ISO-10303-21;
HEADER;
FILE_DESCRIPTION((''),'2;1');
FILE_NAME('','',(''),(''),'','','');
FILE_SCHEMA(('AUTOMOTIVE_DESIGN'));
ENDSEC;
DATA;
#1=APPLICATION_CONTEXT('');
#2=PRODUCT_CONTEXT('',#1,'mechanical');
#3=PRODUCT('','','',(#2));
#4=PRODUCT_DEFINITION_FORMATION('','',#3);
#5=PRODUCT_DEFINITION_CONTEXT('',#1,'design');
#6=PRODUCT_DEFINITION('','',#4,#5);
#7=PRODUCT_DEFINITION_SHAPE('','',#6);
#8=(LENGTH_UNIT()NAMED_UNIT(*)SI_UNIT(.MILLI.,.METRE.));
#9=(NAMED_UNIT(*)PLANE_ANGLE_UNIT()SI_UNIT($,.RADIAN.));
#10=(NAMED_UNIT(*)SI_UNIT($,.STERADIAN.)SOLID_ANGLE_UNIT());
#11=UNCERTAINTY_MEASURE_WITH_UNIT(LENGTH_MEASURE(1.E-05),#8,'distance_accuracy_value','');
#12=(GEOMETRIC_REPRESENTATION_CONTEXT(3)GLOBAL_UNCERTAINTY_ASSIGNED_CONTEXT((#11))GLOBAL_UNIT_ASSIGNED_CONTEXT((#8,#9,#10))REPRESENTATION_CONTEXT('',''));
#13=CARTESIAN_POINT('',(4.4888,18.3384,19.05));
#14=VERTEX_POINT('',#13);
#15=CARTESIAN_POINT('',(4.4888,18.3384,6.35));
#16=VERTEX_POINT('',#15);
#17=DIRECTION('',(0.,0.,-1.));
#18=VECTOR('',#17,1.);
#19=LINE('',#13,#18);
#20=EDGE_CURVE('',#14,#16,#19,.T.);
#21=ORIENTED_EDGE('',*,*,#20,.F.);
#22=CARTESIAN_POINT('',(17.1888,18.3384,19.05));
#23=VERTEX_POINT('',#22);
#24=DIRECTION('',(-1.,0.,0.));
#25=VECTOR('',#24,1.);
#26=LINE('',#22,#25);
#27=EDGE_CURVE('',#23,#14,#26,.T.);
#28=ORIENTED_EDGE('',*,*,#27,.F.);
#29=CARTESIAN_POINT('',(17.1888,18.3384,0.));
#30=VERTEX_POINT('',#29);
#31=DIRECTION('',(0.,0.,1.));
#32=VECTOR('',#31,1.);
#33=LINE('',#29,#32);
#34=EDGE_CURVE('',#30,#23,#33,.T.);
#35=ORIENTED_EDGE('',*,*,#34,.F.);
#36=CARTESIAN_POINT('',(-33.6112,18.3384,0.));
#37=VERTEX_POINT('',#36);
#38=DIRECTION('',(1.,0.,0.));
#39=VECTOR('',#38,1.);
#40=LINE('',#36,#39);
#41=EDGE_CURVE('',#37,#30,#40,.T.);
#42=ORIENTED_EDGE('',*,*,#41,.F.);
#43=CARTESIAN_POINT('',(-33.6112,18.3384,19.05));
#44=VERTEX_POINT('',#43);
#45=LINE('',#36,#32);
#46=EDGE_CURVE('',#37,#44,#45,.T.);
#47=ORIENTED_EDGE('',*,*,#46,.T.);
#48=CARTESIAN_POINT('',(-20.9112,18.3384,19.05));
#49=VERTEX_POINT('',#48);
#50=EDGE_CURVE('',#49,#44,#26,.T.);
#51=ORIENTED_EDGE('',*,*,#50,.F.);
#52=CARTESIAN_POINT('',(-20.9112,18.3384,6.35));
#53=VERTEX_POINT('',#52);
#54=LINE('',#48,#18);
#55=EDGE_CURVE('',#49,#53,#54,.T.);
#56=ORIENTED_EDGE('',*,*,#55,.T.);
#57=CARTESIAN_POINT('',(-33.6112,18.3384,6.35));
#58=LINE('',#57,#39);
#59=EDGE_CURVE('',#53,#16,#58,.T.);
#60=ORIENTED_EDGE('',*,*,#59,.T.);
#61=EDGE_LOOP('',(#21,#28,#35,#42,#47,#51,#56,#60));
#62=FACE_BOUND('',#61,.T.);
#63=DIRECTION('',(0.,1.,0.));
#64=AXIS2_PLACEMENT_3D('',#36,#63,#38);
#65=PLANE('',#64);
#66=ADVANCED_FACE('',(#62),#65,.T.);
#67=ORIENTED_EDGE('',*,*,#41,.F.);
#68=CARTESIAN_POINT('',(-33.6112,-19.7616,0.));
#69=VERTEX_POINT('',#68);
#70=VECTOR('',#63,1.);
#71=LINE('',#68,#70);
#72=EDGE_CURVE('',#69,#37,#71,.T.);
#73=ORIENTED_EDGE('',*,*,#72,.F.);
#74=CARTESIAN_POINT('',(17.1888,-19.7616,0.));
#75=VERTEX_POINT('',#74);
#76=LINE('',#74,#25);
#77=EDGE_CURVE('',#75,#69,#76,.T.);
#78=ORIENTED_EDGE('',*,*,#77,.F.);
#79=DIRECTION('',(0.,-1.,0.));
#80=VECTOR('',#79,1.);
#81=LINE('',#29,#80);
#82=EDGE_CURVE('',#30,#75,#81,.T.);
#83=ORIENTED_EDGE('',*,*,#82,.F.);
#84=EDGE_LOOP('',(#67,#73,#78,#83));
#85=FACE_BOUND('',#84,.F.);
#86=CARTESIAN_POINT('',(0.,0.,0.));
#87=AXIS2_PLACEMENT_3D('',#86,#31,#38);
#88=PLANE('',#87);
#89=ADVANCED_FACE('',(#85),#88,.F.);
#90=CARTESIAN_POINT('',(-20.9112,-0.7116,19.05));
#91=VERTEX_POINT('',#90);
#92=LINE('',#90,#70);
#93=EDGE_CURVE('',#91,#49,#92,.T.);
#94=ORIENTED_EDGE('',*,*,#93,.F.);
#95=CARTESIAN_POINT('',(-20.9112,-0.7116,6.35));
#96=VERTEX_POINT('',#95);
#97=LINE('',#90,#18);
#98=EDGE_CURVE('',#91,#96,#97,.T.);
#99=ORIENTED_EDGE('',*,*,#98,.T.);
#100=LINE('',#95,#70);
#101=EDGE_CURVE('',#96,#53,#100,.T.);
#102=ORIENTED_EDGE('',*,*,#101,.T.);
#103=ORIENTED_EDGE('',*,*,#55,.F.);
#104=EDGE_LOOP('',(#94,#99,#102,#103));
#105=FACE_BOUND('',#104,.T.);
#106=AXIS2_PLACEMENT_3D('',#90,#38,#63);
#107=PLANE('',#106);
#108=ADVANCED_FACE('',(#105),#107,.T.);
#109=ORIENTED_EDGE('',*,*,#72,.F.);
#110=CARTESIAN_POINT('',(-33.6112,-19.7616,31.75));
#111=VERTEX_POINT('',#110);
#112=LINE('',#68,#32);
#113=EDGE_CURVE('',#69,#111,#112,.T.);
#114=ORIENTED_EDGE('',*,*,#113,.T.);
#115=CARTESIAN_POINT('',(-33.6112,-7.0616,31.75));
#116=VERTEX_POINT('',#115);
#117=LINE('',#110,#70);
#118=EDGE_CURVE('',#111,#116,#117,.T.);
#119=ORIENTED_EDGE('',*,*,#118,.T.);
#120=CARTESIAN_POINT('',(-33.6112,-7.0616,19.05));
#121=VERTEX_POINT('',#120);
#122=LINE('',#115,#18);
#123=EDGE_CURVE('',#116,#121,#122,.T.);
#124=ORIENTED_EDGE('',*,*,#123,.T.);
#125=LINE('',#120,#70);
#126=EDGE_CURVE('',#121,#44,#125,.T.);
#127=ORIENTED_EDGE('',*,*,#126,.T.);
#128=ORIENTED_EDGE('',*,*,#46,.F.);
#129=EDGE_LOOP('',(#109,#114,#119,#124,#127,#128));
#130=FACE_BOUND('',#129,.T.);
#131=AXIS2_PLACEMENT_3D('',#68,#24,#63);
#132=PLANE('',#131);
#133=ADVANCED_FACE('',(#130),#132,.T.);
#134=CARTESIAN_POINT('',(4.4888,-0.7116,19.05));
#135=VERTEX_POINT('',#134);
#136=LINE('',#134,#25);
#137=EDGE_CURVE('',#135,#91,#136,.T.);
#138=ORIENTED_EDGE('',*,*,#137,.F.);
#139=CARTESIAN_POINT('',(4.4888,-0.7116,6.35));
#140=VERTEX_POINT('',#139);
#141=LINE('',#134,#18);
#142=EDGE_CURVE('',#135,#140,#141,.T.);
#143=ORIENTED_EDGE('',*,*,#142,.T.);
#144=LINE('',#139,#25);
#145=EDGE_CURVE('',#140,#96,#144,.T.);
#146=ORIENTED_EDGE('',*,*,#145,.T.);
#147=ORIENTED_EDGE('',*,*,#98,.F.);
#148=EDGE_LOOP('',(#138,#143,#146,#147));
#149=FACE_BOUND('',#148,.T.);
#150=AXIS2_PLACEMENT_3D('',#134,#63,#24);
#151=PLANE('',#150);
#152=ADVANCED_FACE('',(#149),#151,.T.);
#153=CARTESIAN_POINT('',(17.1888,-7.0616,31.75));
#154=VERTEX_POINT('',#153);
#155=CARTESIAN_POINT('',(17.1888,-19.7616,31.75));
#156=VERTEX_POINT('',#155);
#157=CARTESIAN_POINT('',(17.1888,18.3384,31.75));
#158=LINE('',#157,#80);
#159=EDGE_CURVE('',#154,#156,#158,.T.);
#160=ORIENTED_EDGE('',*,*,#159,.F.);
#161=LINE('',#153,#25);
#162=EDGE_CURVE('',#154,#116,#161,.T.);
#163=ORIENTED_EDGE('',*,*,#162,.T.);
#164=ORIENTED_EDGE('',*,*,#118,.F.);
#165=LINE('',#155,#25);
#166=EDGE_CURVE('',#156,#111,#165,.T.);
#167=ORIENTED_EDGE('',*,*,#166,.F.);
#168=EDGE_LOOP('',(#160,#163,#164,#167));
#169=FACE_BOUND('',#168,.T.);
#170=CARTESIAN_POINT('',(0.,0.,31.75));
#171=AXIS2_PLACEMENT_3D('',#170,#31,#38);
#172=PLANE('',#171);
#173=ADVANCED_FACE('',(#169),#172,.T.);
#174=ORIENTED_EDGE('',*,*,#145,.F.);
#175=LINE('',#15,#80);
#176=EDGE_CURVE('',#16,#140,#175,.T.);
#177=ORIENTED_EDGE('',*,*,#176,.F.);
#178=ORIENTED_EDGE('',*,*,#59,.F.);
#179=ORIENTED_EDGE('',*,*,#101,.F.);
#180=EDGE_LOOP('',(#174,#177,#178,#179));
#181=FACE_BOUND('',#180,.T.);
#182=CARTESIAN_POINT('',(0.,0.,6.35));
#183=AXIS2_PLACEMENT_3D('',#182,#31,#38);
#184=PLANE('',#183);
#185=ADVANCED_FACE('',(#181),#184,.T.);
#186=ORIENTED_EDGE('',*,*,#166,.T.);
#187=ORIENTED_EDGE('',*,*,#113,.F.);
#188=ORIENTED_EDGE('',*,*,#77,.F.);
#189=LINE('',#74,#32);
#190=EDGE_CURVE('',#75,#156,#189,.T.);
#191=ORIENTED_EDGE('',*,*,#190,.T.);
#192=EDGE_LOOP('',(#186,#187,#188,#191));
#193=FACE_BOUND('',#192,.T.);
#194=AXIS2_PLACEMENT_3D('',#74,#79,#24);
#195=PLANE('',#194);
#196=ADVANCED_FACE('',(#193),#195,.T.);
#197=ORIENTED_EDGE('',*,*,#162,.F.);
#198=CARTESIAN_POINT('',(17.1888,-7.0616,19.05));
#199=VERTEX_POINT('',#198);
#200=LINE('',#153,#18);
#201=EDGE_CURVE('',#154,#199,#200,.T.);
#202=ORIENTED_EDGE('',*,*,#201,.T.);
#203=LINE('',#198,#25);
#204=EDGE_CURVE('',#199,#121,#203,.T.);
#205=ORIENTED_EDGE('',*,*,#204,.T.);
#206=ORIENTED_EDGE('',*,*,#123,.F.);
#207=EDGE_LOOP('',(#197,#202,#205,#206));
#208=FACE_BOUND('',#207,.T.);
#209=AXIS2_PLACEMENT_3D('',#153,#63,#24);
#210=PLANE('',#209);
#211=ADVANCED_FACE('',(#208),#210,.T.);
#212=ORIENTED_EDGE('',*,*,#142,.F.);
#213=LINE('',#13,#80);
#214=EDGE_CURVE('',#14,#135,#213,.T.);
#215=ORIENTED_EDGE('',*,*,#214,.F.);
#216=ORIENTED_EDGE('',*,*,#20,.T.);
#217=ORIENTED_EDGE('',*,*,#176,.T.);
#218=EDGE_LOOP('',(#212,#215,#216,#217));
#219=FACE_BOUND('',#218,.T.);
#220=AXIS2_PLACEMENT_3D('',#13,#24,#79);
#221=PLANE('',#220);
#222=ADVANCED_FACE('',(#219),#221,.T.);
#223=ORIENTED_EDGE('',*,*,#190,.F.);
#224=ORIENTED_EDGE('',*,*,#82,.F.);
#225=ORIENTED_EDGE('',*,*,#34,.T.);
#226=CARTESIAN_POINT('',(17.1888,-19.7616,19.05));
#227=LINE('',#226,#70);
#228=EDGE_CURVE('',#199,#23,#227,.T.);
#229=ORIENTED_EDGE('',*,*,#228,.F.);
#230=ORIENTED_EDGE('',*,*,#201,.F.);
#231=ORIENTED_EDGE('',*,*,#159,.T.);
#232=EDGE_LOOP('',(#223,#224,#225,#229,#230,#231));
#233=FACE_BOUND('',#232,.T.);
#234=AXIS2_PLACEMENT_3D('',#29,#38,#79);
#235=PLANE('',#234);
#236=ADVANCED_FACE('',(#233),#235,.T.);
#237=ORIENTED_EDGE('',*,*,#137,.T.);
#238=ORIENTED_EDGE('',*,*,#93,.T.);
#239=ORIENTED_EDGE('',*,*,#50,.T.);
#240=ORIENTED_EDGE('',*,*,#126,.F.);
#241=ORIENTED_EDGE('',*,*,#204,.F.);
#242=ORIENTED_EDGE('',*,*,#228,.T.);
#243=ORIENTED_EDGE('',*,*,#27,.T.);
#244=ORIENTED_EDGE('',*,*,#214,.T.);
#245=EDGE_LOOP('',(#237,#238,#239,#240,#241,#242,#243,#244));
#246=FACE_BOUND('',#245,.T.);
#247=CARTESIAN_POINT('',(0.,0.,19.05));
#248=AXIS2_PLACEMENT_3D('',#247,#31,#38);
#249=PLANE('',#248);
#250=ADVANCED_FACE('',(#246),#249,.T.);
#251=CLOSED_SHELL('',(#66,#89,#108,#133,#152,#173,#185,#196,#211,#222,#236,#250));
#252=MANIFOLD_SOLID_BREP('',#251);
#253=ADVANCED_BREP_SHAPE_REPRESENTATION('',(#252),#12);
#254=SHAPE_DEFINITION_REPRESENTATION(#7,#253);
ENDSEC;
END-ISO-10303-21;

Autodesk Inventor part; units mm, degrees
ref_plane "YZ Plane" through (0, 0, 0) normal (1, 0, 0) x (0, 1, 0)
ref_plane "XZ Plane" through (0, 0, 0) normal (0, 1, 0) x (-1, 0, 0)
ref_plane "XY Plane" through (0, 0, 0) normal (0, 0, 1) x (1, 0, 0)
sketch "Sketch1" plane through (0, 0, 0) normal (0, 0, 1) x (1, 0, 0)
  line L0 (-33.6112, 18.3384) -> (17.1888, 18.3384)
  line L1 (17.1888, 18.3384) -> (17.1888, -19.7616)
  line L2 (17.1888, -19.7616) -> (-33.6112, -19.7616)
  line L3 (-33.6112, -19.7616) -> (-33.6112, 18.3384)
  point P0 (0, 0)
  dimension "d0" = 50.8
  dimension "d1" = 38.1
extrude "Extrusion1" add sketch "Sketch1" along normal blind 31.75
sketch "Sketch2" plane through (0, 0, 31.75) normal (0, 0, 1) x (1, 0, 0)
  line L0 (17.1888, 18.3384) -> (-33.6112, 18.3384) projected
  line L1 (17.1888, -19.7616) -> (17.1888, 18.3384) projected
  line L2 (-33.6112, 18.3384) -> (17.1888, 18.3384)
  line L3 (17.1888, 18.3384) -> (17.1888, -7.0616)
  line L4 (17.1888, -7.0616) -> (-33.6112, -7.0616)
  line L5 (-33.6112, -7.0616) -> (-33.6112, 18.3384)
  line L6 (17.1888, -19.7616) -> (-33.6112, -19.7616) projected
  point P0 (0, 0)
  dimension "d4" = 12.7
extrude "Extrusion2" cut sketch "Sketch2" against normal blind 12.7
sketch "Sketch3" plane through (0, 0, 19.05) normal (0, 0, 1) x (1, 0, 0)
  line L0 (-33.6112, 18.3384) -> (17.1888, 18.3384) projected
  line L1 (-20.9112, 18.3384) -> (4.4888, 18.3384)
  line L2 (4.4888, 18.3384) -> (4.4888, -0.7116)
  line L3 (4.4888, -0.7116) -> (-20.9112, -0.7116)
  line L4 (-20.9112, -0.7116) -> (-20.9112, 18.3384)
  line L5 (17.1888, 18.3384) -> (17.1888, -7.0616) projected
  point P0 (0, 0)
  dimension "d7" = 25.4
  dimension "d8" = 12.7
  dimension "d9" = 19.05
extrude "Extrusion3" cut sketch "Sketch3" against normal blind 12.7
properties part number "Figure 7_27_6"
